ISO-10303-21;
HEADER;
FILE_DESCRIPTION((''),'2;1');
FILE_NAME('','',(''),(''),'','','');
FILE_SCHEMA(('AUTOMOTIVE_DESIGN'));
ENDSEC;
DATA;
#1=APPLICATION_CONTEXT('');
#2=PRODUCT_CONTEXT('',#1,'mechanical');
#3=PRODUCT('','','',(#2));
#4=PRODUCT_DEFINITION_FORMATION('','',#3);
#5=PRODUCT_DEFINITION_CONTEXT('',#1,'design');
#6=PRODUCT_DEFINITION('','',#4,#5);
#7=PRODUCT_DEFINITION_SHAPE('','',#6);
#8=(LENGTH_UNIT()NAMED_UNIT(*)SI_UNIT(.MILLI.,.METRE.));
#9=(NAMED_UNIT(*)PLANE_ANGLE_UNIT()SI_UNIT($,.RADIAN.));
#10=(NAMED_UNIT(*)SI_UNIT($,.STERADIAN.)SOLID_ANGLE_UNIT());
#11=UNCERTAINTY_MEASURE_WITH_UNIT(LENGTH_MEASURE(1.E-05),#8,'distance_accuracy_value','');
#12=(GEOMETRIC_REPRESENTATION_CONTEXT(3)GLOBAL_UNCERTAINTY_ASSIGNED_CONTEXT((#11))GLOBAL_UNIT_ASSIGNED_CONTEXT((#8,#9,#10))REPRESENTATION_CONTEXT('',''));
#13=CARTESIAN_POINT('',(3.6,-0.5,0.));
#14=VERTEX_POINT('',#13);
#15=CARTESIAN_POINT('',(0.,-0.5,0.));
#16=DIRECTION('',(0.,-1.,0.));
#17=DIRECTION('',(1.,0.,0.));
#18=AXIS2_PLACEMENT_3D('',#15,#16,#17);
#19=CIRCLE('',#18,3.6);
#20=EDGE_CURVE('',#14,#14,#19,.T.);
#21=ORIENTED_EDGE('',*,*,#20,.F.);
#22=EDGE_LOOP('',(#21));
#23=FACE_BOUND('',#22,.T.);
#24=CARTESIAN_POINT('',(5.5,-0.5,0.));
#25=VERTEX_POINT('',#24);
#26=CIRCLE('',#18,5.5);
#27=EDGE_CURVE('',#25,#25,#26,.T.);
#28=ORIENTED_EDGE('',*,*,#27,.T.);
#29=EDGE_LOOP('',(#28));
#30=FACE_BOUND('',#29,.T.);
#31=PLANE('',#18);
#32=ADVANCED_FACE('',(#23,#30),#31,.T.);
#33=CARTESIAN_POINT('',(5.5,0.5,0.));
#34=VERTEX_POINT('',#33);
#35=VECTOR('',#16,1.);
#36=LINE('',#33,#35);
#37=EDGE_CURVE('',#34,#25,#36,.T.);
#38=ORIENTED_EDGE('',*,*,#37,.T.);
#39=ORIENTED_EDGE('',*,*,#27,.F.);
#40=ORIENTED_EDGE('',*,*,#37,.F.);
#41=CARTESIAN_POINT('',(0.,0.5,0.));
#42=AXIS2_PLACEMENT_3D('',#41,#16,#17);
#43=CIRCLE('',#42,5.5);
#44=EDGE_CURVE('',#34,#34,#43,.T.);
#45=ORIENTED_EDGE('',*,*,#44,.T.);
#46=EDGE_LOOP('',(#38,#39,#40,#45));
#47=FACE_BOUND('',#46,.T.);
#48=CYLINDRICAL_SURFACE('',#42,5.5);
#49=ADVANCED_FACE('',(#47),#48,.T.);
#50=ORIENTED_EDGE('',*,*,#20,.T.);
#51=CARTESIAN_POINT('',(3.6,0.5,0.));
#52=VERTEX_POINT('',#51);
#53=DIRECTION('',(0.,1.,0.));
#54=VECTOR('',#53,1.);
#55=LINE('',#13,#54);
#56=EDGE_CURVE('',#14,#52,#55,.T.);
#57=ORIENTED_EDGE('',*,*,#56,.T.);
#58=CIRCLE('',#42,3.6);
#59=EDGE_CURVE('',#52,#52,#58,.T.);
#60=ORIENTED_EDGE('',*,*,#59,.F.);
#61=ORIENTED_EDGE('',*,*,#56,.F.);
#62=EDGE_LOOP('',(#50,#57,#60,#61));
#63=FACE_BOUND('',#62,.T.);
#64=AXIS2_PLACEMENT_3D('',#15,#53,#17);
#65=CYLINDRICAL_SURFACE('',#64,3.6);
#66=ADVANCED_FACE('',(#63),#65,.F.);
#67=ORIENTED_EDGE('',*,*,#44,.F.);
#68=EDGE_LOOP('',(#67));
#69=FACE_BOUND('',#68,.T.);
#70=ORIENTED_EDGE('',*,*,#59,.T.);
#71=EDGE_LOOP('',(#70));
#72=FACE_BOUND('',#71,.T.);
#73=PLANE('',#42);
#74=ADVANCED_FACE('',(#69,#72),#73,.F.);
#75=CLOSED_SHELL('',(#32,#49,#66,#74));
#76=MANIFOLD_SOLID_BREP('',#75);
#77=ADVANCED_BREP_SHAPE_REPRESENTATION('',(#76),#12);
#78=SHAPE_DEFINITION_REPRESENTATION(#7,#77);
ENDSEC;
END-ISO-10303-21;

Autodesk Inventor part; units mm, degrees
ref_plane "YZ Plane" through (0, 0, 0) normal (1, 0, 0) x (0, 1, 0)
ref_plane "XZ Plane" through (0, 0, 0) normal (0, 1, 0) x (-1, 0, 0)
ref_plane "XY Plane" through (0, 0, 0) normal (0, 0, 1) x (1, 0, 0)
sketch "スケッチ1" plane through (0, 0, 0) normal (0, 0, 1) x (1, 0, 0)
  line L0 (3.6, 0.5) -> (5.5, 0.5)
  line L1 (5.5, 0.5) -> (5.5, -0.5)
  line L2 (5.5, -0.5) -> (3.6, -0.5)
  line L3 (3.6, -0.5) -> (3.6, 0.5)
  line L4 (0, 1.7462) -> (0, -1.7462) construction
  point P0 (0, 0)
  point P1 (0, 0)
  point P2 (3.6, 0)
  dimension "d0" = 1
  dimension "d1" = 7.2
  dimension "d2" = 11
revolve "回転1" add sketch "スケッチ1" angle 360 about axis through (0, 1.7462, 0) along (0, -1, 0)
properties part number "CC-0815-08B" material "アセタール樹脂、黒"
